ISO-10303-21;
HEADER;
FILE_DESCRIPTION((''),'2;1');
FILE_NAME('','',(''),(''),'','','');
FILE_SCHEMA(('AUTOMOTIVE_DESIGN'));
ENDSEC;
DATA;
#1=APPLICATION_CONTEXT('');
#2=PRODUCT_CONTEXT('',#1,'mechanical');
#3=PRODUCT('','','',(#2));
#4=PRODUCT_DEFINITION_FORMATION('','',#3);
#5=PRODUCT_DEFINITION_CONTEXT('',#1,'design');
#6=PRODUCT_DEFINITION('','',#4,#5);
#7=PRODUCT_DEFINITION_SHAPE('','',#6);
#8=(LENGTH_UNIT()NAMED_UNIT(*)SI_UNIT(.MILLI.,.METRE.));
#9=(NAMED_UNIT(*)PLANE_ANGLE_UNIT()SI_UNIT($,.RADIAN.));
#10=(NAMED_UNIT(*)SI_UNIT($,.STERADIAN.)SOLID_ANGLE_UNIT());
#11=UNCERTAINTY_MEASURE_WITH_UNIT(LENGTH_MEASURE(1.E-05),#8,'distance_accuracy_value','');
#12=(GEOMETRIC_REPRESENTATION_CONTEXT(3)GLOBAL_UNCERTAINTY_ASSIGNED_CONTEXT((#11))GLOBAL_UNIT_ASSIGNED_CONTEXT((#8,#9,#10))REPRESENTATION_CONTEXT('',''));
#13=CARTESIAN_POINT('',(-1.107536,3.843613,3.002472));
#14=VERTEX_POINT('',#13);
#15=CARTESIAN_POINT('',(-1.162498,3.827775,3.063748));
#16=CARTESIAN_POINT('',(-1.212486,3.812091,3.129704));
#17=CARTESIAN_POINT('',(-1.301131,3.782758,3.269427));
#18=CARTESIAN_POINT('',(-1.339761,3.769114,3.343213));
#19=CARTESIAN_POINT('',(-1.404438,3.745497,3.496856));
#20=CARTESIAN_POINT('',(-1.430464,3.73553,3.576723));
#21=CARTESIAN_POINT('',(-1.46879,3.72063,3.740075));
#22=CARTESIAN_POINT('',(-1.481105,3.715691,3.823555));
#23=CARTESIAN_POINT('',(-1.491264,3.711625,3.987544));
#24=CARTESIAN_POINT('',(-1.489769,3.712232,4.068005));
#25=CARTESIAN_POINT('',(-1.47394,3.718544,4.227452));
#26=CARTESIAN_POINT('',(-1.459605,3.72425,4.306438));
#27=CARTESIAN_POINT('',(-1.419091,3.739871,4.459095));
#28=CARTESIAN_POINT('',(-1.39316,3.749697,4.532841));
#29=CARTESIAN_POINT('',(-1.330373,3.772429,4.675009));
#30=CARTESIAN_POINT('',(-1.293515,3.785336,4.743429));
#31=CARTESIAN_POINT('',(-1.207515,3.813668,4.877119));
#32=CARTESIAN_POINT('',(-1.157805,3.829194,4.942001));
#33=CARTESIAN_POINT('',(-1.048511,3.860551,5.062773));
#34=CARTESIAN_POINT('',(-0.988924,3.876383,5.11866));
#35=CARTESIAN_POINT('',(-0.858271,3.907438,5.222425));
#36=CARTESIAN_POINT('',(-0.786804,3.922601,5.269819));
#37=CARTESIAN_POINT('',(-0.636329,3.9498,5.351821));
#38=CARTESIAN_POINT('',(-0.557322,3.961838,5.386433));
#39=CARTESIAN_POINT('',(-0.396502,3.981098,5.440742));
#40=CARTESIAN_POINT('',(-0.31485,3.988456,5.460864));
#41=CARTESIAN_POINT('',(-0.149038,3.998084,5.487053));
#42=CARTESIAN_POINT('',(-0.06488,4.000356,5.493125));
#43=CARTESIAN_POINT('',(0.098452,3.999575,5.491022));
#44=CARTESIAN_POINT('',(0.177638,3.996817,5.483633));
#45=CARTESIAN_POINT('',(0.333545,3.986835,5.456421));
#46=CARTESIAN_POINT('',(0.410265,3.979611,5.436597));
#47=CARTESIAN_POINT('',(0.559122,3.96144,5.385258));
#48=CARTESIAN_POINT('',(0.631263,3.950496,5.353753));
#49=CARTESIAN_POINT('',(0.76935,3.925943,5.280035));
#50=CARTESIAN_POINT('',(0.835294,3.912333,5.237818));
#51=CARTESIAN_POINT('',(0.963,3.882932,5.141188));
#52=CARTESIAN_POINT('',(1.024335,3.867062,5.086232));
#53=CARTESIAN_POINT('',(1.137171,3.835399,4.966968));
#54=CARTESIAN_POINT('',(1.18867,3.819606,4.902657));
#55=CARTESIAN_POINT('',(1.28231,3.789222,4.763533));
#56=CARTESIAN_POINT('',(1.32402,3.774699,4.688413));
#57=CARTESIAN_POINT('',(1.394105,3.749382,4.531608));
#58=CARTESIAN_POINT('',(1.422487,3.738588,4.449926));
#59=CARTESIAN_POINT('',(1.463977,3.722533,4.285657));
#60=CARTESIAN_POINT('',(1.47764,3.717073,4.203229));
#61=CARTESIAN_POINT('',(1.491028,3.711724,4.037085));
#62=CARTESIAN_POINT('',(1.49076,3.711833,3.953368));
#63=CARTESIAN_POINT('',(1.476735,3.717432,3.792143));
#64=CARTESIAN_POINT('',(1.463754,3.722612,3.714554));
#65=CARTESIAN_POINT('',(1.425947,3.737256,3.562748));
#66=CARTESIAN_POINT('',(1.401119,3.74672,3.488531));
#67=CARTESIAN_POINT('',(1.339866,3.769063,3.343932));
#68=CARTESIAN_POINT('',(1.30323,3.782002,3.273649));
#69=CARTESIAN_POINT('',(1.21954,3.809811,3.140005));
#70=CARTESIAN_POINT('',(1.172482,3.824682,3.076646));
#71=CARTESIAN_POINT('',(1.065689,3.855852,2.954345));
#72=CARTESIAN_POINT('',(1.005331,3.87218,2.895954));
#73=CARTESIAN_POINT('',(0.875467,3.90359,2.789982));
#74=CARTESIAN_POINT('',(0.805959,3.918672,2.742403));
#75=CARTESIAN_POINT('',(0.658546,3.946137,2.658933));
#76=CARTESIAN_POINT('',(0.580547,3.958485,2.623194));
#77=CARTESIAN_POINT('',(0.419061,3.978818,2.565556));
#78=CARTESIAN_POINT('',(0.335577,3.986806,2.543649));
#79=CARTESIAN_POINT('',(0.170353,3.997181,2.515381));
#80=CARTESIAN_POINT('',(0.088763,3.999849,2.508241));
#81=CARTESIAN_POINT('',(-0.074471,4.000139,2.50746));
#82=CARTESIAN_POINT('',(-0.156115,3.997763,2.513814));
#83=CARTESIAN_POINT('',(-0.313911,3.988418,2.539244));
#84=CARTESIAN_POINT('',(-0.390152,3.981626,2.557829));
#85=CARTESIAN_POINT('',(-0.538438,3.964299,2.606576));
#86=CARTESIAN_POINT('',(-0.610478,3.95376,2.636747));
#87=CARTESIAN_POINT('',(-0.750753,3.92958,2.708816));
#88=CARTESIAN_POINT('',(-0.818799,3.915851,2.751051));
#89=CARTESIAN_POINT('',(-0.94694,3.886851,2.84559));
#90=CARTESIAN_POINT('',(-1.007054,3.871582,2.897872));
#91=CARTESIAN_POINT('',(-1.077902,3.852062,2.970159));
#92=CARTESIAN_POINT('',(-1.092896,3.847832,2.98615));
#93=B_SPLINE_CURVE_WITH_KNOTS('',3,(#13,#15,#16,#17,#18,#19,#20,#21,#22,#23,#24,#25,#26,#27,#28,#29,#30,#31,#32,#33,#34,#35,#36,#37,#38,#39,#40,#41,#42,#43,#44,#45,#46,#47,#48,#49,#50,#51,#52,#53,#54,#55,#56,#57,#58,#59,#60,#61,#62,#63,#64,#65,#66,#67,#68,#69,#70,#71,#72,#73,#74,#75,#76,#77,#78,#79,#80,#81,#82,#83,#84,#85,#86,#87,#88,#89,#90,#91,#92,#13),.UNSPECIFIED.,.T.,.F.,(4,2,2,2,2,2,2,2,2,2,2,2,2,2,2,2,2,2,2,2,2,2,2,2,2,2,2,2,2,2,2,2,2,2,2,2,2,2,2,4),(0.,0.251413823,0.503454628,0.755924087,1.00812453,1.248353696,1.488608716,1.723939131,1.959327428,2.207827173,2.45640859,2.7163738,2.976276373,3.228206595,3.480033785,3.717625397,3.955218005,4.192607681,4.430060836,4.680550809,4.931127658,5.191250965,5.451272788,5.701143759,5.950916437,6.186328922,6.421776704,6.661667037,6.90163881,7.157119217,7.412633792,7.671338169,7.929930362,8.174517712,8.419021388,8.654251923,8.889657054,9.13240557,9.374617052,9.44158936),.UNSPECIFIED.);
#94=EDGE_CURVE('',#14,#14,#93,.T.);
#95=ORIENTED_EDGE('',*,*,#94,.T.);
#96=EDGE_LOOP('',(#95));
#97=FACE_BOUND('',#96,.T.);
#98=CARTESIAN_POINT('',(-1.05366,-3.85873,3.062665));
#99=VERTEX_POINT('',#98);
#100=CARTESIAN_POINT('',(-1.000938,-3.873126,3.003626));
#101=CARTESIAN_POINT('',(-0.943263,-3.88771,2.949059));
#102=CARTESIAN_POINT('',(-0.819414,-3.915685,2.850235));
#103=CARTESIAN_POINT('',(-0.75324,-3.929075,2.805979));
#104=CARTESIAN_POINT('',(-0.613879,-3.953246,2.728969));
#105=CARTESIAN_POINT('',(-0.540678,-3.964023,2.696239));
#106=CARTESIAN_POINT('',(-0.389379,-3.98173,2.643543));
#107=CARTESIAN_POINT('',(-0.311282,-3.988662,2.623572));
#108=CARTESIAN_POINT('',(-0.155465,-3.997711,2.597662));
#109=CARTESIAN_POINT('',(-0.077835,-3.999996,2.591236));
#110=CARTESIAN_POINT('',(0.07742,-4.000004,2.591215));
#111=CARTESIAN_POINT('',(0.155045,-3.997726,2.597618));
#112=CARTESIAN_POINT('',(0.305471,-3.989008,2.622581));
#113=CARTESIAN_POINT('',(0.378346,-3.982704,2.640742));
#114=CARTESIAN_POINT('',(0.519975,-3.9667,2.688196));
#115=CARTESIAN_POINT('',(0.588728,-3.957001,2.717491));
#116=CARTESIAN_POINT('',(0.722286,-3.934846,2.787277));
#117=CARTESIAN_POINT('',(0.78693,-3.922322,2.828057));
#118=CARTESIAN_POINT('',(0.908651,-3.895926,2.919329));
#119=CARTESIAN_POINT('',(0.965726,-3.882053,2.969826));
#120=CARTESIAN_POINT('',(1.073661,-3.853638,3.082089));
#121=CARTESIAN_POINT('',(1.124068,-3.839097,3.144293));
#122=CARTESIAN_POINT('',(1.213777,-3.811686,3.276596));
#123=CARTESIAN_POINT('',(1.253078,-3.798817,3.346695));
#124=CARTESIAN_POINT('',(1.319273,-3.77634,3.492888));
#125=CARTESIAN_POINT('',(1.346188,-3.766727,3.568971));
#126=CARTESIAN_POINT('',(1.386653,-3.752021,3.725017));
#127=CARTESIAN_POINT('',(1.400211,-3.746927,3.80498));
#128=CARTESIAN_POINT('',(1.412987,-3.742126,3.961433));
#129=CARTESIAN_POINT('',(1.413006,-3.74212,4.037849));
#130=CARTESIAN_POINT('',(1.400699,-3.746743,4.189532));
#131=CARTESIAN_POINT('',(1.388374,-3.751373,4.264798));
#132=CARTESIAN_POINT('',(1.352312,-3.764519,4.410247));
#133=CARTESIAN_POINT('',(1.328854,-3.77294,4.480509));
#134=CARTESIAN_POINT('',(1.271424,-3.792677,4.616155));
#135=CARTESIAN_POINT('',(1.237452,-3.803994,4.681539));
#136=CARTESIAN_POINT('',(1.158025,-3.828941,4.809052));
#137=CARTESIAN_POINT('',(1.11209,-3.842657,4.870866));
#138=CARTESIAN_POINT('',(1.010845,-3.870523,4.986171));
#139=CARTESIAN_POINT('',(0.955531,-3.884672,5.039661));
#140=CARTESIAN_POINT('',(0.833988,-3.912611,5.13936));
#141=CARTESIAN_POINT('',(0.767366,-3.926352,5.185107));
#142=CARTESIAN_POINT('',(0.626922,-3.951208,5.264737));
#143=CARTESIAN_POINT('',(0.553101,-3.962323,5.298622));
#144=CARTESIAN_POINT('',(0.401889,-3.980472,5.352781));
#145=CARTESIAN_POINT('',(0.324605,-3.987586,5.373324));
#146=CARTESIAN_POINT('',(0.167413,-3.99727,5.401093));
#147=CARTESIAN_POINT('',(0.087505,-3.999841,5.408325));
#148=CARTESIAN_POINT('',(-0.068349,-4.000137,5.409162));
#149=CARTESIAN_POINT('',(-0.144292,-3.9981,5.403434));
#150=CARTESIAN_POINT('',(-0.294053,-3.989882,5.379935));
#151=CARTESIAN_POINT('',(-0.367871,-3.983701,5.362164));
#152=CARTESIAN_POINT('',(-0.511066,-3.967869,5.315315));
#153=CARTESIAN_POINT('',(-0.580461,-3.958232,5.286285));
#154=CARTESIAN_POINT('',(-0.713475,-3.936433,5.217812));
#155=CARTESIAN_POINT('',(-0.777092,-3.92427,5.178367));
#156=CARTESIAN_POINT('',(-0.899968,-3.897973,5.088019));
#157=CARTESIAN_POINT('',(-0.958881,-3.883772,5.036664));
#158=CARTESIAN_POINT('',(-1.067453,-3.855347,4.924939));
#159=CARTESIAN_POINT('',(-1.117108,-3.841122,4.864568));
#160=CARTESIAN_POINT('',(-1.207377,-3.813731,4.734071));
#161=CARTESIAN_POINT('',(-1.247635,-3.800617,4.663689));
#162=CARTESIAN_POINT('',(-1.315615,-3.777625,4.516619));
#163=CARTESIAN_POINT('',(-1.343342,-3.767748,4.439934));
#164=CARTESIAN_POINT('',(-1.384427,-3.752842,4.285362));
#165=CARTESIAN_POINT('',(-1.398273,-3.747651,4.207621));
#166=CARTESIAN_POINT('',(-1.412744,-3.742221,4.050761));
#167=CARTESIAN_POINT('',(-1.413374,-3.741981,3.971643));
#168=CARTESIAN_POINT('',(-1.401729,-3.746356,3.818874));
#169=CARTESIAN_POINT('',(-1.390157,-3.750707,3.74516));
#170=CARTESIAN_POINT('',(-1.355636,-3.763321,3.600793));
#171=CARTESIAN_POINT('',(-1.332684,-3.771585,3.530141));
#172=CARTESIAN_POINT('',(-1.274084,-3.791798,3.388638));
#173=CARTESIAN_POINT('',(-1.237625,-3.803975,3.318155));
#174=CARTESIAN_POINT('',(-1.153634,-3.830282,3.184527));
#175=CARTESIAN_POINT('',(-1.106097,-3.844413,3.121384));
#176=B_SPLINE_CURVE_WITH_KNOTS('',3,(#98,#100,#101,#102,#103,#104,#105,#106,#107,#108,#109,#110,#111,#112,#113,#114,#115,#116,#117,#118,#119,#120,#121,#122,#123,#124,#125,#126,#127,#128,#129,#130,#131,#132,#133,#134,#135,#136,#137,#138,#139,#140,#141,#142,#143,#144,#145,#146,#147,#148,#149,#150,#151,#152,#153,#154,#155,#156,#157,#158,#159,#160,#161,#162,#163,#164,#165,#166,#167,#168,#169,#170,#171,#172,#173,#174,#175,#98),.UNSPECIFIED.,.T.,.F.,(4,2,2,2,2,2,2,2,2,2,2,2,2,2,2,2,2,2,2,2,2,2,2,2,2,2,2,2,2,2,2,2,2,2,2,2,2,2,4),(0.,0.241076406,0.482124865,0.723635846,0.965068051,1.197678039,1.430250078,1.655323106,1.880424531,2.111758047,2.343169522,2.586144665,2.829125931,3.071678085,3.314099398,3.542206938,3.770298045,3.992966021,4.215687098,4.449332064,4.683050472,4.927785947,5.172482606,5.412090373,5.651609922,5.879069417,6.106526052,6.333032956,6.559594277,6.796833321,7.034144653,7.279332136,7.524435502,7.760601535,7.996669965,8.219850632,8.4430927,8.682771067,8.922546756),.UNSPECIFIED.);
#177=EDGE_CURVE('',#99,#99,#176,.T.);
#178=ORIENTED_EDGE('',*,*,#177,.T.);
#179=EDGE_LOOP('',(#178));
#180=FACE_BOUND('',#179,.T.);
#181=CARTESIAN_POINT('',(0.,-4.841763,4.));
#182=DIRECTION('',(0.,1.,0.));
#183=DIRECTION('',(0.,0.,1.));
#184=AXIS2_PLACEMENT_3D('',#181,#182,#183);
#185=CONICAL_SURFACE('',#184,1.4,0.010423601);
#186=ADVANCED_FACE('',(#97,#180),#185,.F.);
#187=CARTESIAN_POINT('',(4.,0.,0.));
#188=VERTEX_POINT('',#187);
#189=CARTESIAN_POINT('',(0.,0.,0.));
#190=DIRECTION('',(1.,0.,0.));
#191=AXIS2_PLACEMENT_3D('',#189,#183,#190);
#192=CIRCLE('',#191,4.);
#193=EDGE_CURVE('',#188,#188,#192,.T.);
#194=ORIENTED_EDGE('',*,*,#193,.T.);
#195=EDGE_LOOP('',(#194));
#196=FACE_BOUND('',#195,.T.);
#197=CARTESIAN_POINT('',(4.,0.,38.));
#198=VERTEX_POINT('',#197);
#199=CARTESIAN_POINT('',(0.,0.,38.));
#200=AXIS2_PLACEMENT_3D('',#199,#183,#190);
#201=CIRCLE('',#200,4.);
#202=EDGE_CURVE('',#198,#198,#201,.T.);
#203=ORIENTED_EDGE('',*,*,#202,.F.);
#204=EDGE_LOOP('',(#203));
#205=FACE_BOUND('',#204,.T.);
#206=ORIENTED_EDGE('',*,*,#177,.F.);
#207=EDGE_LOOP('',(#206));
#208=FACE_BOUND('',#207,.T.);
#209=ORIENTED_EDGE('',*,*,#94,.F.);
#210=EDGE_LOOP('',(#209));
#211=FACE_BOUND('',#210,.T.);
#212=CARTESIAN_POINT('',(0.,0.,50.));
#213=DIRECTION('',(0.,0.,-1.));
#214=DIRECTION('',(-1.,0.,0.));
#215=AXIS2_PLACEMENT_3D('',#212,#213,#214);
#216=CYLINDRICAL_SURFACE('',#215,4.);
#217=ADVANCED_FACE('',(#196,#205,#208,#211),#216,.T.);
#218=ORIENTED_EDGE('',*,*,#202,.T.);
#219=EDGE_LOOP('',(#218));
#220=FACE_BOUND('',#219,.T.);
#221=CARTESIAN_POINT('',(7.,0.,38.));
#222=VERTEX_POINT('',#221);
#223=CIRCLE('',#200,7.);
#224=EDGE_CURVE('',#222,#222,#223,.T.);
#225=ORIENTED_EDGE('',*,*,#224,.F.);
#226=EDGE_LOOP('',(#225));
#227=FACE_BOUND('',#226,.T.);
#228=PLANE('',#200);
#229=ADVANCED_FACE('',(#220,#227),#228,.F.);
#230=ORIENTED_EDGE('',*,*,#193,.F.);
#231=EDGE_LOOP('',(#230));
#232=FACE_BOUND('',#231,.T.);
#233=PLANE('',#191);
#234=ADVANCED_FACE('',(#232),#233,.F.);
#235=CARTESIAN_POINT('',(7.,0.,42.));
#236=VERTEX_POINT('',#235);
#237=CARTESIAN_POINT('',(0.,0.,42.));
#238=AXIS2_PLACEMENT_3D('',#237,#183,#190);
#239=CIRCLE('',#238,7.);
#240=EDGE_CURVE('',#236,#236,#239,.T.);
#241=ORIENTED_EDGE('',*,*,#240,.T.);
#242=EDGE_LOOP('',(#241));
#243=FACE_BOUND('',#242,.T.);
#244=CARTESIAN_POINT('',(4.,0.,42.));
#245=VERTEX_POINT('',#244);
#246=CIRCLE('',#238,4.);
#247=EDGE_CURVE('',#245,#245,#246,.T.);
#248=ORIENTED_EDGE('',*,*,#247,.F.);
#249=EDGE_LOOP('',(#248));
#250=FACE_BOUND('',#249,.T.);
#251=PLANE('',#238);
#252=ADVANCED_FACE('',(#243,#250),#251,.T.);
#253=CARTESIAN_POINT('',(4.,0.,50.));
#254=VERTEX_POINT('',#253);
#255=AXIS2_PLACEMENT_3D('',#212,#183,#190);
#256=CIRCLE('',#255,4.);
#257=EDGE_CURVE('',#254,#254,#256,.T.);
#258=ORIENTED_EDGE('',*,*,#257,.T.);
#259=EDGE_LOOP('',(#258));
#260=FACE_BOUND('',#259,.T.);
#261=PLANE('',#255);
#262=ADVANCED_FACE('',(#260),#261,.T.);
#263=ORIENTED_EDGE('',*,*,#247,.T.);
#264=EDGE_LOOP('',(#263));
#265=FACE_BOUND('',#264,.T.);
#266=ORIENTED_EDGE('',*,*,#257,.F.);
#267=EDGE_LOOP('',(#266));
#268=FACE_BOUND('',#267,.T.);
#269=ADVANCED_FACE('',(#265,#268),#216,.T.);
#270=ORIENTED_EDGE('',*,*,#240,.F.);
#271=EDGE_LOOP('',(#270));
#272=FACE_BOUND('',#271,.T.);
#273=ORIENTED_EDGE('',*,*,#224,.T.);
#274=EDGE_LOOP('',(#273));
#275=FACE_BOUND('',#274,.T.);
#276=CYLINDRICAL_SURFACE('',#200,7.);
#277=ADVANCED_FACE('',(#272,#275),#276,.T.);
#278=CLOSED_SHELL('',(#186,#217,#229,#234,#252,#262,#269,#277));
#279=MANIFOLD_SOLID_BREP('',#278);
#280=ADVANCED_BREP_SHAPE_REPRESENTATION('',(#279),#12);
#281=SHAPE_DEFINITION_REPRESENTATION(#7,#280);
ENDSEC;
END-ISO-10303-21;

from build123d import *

# Parameters (mm, degrees)
SKETCH_1_R      = 4
EXTRUDE_1_DEPTH = 50
EXTRUDE_START   = -8
SKETCH_2_R      = 7
EXTRUDE_2_DEPTH = 4


with BuildPart() as part:
    # 草图1 → 凸台-拉伸1 (new body)
    with BuildSketch(Plane.XY):
        Circle(SKETCH_1_R)
    extrude(amount=EXTRUDE_1_DEPTH)

    # 草图2 → 凸台-拉伸2 (add)
    with BuildSketch(Plane.XY.offset(50).offset(EXTRUDE_START)):
        Circle(SKETCH_2_R)
    extrude(amount=-EXTRUDE_2_DEPTH)

    # 草图4 → 切除-旋转1 (revolve, cut)
    with BuildSketch(Plane(origin=(0, 0, 0), x_dir=(0, 0, -1), z_dir=(1, 0, 0)), mode=Mode.PRIVATE) as cut_revolve_1_sk:
        Polygon((-2.6, -4.84176312), (-4, -4.84176312), (-4, 4.751502862), (-2.5, 4.751502862), align=None)
    revolve(cut_revolve_1_sk.sketch.rotate(Axis((0, 6.786956164, 4), (0, -1, 0)), 311.656275419), axis=Axis((0, 6.786956164, 4), (0, -1, 0)), mode=Mode.SUBTRACT)


solid = part.part
